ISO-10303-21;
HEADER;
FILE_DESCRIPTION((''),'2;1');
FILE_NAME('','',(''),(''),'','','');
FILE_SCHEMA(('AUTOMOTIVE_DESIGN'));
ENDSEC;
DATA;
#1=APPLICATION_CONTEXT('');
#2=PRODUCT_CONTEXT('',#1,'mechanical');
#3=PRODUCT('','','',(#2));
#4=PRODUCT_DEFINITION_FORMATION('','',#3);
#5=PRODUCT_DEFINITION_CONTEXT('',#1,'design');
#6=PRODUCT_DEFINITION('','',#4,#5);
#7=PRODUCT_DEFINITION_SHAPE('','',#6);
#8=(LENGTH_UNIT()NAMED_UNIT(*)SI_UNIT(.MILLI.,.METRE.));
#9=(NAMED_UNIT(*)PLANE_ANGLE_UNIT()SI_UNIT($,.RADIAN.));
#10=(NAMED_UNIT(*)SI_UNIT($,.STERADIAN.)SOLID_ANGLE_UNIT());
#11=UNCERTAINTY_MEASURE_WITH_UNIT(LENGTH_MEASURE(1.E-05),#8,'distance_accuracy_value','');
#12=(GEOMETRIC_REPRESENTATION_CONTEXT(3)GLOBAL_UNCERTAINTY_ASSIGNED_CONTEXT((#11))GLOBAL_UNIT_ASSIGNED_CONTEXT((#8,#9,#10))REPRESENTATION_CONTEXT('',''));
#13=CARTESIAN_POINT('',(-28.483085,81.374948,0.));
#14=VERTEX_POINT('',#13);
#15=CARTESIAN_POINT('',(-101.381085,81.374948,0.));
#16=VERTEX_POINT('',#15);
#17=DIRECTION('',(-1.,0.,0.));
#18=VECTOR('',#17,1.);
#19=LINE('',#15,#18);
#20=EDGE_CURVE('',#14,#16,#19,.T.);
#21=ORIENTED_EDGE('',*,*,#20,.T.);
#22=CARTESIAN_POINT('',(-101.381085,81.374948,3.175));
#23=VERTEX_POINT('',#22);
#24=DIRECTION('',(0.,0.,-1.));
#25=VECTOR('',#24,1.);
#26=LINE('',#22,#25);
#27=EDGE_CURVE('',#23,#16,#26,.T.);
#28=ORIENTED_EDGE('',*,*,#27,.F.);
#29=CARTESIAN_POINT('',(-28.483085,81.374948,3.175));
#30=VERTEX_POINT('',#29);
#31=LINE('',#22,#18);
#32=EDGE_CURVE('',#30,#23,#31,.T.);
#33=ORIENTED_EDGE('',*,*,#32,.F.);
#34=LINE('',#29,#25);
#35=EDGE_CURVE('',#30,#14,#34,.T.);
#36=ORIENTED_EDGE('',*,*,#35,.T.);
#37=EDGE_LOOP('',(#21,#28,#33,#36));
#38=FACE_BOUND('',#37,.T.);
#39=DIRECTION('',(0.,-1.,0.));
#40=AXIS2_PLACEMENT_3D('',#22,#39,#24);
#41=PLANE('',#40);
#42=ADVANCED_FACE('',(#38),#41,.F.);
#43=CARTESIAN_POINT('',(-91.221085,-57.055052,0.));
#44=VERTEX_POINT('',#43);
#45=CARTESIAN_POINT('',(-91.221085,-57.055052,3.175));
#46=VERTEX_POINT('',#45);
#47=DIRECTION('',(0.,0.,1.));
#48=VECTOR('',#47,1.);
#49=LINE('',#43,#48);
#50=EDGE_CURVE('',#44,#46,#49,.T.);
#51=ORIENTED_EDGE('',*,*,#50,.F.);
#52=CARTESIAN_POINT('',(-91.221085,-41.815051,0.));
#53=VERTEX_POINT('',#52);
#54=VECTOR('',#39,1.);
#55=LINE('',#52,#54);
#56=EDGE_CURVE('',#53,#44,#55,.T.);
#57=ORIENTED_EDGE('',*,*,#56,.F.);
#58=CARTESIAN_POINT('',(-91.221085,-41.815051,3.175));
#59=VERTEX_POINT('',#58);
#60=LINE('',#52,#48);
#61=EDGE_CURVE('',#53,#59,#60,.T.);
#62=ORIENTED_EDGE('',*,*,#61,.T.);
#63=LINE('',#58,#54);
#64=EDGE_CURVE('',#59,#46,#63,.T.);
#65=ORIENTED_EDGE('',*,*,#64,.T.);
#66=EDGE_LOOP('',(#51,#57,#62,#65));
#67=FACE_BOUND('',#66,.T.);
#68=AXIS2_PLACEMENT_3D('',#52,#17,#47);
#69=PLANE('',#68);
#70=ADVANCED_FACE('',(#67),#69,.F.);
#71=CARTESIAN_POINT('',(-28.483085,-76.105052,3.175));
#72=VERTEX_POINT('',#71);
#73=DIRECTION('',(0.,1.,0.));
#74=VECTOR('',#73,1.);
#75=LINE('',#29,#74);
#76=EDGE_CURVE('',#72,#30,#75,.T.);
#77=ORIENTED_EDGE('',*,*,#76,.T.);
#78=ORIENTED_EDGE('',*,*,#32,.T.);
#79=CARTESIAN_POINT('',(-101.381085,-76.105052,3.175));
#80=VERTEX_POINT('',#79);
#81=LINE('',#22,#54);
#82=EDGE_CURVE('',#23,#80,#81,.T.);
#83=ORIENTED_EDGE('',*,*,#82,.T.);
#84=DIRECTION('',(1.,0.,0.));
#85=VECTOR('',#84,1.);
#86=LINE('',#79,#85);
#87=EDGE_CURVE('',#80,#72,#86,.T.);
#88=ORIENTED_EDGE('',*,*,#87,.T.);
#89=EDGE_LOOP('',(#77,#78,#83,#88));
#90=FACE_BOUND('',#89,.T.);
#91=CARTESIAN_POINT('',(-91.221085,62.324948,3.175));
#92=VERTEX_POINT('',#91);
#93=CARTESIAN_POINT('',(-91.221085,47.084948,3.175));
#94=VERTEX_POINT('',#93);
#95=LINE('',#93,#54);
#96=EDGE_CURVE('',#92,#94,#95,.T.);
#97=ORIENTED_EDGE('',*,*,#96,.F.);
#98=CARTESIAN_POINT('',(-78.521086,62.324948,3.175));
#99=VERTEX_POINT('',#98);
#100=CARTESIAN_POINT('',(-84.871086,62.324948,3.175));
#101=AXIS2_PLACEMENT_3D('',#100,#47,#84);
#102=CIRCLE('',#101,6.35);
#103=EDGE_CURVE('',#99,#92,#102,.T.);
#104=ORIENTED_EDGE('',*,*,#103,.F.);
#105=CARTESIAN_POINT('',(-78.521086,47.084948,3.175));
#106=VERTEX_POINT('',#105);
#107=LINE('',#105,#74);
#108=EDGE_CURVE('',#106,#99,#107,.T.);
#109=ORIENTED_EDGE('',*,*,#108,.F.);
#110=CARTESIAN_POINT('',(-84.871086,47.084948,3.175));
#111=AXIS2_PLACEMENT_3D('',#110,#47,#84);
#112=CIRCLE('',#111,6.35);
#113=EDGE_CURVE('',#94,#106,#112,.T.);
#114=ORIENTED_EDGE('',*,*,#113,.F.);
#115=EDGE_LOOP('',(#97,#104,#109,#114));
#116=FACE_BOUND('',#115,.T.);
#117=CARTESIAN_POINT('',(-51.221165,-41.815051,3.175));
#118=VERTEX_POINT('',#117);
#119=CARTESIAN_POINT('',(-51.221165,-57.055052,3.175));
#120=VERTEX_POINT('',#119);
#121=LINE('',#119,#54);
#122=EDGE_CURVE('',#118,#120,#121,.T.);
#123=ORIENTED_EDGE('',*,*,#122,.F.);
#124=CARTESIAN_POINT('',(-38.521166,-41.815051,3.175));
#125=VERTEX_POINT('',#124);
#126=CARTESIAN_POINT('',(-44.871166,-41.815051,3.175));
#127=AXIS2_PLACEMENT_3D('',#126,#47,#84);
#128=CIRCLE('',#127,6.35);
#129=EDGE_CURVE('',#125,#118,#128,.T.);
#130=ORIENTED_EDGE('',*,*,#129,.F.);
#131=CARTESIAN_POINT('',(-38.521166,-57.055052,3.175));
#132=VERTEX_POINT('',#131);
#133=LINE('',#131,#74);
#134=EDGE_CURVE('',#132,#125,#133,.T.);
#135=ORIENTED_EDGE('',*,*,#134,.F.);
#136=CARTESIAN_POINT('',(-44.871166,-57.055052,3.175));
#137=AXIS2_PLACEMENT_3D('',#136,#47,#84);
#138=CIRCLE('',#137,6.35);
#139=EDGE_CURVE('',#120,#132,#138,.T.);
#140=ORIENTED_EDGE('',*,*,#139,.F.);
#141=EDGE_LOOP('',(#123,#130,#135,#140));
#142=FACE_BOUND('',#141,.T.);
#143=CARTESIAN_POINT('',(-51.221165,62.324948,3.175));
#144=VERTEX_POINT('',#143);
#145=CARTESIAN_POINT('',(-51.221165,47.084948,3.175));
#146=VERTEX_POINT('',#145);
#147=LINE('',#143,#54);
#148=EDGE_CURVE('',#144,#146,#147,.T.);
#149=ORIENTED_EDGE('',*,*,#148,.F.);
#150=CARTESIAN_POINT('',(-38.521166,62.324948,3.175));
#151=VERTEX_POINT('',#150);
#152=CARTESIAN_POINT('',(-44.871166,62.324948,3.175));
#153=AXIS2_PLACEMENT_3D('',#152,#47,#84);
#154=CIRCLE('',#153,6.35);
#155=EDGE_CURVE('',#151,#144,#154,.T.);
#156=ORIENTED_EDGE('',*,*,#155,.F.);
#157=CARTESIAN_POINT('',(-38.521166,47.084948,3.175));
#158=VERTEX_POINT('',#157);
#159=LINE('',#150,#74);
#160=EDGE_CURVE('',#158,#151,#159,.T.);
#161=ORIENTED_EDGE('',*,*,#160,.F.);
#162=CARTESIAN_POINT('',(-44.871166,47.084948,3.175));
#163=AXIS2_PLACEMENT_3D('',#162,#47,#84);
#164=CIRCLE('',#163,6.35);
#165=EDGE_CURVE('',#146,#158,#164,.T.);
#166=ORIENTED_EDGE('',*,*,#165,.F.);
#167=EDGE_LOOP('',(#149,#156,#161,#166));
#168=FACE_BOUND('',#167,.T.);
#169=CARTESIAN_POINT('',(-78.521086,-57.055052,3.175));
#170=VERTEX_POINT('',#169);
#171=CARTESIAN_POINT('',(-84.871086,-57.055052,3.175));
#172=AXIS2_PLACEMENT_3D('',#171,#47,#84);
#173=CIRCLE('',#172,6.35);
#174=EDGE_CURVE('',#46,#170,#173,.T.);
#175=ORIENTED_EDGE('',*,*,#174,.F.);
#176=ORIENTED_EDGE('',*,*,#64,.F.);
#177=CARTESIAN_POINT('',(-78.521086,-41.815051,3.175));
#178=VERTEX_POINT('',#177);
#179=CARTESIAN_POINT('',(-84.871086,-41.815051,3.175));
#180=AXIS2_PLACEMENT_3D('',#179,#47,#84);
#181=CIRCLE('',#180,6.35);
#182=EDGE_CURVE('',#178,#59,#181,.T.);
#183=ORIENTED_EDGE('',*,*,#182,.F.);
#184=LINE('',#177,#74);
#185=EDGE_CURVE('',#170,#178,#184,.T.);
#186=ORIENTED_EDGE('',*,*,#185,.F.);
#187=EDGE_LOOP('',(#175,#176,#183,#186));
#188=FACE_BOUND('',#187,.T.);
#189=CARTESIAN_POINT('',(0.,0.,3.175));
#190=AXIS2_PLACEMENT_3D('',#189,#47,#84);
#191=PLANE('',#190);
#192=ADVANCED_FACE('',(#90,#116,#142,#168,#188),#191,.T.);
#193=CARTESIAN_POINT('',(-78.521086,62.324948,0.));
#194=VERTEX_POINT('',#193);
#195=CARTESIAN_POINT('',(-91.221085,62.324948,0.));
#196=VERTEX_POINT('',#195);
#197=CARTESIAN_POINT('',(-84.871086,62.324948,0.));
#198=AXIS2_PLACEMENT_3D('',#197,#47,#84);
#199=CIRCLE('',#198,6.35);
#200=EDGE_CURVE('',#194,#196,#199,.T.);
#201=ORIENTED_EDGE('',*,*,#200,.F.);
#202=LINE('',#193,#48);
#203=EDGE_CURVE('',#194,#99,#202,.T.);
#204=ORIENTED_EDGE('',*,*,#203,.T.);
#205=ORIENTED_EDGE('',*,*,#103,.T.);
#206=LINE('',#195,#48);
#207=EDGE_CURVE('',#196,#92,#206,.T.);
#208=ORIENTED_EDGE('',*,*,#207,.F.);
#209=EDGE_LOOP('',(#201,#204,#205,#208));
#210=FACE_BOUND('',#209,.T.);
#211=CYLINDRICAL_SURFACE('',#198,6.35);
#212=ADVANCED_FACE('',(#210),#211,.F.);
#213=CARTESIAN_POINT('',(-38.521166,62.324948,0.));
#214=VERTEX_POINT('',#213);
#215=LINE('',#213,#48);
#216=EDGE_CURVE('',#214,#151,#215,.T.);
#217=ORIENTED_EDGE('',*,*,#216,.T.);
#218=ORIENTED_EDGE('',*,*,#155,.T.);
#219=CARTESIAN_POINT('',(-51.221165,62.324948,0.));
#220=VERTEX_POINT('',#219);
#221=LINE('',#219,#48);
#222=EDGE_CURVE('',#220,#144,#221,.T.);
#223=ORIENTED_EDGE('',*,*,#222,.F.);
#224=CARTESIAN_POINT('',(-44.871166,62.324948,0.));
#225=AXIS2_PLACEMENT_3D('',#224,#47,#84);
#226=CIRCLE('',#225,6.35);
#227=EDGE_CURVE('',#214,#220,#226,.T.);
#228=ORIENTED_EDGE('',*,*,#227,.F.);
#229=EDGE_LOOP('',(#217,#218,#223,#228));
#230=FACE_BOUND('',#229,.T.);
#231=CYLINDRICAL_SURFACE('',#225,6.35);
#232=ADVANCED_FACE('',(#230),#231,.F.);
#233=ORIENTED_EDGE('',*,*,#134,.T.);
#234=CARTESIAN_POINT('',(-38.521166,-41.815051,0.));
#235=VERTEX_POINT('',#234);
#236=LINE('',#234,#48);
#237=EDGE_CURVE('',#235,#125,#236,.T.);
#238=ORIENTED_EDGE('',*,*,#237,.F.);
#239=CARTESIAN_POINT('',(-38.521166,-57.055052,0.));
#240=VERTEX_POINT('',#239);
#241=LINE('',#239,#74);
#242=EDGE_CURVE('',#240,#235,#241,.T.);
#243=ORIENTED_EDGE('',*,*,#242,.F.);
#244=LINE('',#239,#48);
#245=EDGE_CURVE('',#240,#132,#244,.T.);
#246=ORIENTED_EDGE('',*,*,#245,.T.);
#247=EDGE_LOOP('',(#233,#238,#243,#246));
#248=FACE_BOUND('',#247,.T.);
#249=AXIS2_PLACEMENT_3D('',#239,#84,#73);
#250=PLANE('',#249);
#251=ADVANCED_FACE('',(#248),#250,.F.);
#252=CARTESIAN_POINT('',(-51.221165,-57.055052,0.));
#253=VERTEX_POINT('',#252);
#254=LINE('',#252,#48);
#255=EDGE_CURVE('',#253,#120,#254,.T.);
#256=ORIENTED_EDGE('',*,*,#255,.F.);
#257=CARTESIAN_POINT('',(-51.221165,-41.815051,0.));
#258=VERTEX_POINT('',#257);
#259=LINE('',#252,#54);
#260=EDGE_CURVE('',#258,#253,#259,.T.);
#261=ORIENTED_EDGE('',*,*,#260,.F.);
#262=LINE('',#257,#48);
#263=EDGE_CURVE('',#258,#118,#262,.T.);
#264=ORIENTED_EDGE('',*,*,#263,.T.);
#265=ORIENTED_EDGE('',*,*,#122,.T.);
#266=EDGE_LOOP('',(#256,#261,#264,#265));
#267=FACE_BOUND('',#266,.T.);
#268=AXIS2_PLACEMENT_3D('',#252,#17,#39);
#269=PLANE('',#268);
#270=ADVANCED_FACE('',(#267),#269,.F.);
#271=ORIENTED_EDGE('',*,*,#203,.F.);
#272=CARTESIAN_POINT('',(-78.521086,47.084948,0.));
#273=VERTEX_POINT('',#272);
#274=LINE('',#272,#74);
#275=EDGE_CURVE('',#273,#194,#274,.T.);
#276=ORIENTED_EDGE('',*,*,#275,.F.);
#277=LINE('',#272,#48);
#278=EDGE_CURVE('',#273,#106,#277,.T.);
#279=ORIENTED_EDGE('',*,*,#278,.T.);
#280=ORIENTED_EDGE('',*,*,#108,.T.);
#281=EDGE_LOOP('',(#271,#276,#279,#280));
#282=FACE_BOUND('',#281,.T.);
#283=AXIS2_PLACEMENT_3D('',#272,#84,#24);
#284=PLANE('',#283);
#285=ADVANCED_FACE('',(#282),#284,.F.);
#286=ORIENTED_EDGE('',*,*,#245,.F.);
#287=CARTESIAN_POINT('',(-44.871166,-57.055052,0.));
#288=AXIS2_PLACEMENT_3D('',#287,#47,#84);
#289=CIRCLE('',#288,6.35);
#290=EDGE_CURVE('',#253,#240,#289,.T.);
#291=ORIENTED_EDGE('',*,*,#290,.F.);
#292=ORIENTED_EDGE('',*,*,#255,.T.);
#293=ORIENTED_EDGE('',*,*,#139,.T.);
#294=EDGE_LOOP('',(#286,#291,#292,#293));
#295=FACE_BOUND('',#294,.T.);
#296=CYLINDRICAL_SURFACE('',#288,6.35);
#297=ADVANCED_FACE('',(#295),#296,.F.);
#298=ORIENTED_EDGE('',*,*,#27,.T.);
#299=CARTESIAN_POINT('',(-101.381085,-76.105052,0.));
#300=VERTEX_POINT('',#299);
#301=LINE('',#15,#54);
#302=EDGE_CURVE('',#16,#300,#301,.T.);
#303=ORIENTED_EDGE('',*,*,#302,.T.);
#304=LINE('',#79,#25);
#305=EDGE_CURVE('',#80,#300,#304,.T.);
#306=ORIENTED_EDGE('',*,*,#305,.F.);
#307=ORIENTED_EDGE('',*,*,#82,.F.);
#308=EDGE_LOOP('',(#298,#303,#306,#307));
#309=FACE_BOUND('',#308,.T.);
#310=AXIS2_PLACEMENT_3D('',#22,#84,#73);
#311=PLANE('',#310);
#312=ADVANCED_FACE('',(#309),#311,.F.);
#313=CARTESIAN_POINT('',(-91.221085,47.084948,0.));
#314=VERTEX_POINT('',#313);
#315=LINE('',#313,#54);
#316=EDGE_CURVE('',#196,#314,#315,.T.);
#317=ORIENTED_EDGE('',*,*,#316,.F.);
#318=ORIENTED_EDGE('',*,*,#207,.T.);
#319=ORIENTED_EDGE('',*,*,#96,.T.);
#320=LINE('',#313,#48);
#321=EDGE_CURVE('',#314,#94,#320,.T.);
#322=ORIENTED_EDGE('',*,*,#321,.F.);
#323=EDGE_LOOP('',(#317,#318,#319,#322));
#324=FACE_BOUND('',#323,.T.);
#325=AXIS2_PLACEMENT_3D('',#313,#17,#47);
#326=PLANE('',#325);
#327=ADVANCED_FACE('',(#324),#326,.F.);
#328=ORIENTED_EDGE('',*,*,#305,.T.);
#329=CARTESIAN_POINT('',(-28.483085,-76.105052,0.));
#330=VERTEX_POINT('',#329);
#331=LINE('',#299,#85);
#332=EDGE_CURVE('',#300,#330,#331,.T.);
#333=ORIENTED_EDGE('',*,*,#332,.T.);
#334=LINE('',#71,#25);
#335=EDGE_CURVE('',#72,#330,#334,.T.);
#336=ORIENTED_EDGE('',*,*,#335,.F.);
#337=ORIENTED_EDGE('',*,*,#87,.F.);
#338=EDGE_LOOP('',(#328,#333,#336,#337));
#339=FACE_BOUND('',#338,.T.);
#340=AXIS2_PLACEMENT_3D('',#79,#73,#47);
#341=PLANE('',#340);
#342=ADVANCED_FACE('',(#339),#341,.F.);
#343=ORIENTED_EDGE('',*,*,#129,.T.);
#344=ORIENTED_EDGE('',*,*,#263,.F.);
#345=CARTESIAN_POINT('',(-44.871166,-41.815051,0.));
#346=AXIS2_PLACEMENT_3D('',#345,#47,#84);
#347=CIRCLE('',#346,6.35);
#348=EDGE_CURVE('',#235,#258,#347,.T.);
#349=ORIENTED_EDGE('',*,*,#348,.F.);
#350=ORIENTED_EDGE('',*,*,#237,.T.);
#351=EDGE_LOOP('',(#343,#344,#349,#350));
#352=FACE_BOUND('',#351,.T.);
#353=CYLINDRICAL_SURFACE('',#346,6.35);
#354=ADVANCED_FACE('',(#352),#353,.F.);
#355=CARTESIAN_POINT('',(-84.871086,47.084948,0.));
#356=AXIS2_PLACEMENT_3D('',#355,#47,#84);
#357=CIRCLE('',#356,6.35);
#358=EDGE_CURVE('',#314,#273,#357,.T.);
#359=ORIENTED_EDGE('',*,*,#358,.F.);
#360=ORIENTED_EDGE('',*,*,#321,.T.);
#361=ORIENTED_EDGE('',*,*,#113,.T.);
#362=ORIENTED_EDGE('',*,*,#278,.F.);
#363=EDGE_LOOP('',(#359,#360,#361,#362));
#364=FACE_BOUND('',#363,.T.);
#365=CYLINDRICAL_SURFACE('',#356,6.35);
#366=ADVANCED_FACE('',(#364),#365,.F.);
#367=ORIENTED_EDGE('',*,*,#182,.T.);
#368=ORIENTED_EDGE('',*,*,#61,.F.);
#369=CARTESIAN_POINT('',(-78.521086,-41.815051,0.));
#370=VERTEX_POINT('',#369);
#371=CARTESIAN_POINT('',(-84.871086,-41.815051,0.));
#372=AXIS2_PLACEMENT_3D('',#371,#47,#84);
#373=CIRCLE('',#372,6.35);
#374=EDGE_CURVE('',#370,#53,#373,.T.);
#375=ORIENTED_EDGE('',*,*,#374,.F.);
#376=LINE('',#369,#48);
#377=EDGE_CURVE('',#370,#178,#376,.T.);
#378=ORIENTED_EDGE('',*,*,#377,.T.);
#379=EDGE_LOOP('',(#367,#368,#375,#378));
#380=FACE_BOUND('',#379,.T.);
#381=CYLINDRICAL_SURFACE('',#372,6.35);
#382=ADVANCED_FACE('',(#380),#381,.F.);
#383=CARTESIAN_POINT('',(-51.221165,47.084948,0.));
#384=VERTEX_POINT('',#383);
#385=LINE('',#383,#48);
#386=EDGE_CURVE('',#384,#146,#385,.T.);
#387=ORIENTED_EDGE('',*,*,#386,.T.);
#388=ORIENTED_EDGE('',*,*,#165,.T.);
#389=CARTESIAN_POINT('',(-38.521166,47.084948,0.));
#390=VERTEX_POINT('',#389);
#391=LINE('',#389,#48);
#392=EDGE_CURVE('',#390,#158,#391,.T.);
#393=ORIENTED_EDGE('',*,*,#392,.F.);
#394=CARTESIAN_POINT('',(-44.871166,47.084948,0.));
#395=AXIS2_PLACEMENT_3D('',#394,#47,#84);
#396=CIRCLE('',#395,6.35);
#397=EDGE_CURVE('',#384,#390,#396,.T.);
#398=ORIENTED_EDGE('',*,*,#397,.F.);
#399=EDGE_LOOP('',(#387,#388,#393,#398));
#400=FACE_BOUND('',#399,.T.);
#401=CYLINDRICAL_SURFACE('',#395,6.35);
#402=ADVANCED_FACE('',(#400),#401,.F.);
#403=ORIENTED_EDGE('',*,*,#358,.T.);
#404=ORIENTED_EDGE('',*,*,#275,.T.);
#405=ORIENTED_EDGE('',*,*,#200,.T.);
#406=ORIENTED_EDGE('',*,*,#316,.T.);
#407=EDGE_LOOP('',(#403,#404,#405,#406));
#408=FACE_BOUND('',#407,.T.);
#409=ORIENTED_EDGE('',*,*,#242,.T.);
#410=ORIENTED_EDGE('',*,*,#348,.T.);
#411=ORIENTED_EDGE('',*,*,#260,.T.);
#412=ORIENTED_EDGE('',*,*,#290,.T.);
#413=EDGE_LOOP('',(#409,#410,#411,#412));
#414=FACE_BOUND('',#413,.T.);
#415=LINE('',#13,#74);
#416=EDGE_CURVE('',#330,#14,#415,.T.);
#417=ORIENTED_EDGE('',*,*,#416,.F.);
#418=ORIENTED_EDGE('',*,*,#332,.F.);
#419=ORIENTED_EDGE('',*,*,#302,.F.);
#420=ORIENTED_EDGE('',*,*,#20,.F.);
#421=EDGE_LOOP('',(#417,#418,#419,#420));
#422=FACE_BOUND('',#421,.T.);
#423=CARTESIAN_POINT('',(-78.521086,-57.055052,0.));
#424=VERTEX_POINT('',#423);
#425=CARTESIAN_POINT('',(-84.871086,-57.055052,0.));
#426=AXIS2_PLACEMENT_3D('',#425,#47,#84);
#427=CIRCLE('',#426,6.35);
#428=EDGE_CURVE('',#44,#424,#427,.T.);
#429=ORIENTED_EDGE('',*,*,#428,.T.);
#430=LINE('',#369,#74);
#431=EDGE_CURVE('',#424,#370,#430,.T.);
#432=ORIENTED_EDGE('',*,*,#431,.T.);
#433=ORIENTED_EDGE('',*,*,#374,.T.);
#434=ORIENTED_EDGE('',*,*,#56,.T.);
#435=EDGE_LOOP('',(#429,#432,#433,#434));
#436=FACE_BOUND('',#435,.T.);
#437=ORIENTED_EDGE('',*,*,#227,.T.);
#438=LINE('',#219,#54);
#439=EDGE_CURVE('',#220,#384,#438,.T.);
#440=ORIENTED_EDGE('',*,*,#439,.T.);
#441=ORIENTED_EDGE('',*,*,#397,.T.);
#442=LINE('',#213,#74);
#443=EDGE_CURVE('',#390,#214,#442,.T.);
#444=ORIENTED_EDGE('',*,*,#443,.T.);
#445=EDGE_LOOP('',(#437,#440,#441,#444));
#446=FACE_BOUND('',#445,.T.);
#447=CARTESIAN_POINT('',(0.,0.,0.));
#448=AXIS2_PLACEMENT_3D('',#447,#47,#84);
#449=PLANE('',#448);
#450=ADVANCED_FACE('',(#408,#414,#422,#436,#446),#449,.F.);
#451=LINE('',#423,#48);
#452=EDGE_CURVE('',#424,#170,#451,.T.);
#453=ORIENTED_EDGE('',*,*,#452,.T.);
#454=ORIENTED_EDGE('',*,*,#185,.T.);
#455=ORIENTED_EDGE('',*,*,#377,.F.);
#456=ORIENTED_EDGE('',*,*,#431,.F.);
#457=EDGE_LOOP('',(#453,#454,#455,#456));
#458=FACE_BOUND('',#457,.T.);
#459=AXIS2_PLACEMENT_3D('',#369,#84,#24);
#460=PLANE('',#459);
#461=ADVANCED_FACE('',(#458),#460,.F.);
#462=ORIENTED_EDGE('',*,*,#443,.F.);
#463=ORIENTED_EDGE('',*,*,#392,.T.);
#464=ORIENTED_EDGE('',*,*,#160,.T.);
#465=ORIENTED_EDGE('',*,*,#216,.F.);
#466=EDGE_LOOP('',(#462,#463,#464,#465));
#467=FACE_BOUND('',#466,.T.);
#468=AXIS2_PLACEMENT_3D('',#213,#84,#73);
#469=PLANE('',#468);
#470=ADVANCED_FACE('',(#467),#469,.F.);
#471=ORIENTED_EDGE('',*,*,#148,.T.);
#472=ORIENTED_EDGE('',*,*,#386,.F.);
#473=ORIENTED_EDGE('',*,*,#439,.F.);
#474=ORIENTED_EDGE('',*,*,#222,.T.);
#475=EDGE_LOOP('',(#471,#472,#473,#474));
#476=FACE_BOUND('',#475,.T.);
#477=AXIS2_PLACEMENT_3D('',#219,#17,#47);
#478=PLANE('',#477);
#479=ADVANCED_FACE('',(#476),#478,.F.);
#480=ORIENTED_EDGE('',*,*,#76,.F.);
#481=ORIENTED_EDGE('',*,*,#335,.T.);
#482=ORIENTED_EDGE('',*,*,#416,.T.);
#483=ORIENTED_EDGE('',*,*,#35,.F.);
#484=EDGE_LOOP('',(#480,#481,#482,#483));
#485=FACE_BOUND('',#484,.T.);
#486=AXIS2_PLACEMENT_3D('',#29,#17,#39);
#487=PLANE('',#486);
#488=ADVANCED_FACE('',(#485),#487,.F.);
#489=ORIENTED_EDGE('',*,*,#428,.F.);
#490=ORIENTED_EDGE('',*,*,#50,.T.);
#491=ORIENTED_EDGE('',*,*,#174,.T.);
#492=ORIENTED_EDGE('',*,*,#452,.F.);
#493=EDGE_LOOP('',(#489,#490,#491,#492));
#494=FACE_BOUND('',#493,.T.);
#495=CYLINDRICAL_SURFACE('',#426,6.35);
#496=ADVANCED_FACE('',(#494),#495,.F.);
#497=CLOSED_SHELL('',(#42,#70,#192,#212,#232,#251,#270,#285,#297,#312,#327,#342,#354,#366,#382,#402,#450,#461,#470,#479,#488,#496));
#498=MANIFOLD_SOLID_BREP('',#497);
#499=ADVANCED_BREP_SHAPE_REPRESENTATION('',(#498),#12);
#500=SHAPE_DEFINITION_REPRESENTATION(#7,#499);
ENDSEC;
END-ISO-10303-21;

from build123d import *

# Parameters (mm, degrees)
FLAT_PLATE_W       = 72.898
FLAT_PLATE_H       = 157.48
CASTOR_PLATE_DEPTH = 3.175
CUT_EXTRUDE1_DEPTH = 3.175


with BuildPart() as part:
    # Flat Plate → Castor Plate (new body)
    with BuildSketch(Plane.XY):
        with Locations((-64.932085316, 2.634948054)):
            Rectangle(FLAT_PLATE_W, FLAT_PLATE_H)
    extrude(amount=CASTOR_PLATE_DEPTH)

    # Holes → Cut-Extrude1 (cut)
    with BuildSketch(Plane.XY.offset(3.175)):
        with BuildLine():
            Line((-91.221085316, 47.084948054), (-91.221085316, 62.324948422))
            ThreePointArc((-91.221085316, 62.324948422), (-84.871085684, 68.674948054), (-78.521086052, 62.324948422))
            Line((-78.521086052, 62.324948422), (-78.521086052, 47.084948054))
            ThreePointArc((-78.521086052, 47.084948054), (-84.871085684, 40.734948422), (-91.221085316, 47.084948054))
        make_face()
        with BuildLine():
            Line((-51.221165316, -57.055051578), (-51.221165316, -41.81505121))
            ThreePointArc((-51.221165316, -41.81505121), (-44.871165684, -35.465051578), (-38.521166052, -41.81505121))
            Line((-38.521166052, -41.81505121), (-38.521166052, -57.055051578))
            ThreePointArc((-38.521166052, -57.055051578), (-44.871165684, -63.40505121), (-51.221165316, -57.055051578))
        make_face()
        with BuildLine():
            Line((-78.521086052, -41.81505121), (-78.521086052, -57.055051578))
            ThreePointArc((-78.521086052, -57.055051578), (-84.871085684, -63.40505121), (-91.221085316, -57.055051578))
            Line((-91.221085316, -57.055051578), (-91.221085316, -41.81505121))
            ThreePointArc((-91.221085316, -41.81505121), (-84.871085684, -35.465051578), (-78.521086052, -41.81505121))
        make_face()
        with BuildLine():
            Line((-38.521166052, 62.324948422), (-38.521166052, 47.084948054))
            ThreePointArc((-38.521166052, 47.084948054), (-44.871165684, 40.734948422), (-51.221165316, 47.084948054))
            Line((-51.221165316, 47.084948054), (-51.221165316, 62.324948422))
            ThreePointArc((-51.221165316, 62.324948422), (-44.871165684, 68.674948054), (-38.521166052, 62.324948422))
        make_face()
    extrude(amount=-CUT_EXTRUDE1_DEPTH, mode=Mode.SUBTRACT)


solid = part.part
